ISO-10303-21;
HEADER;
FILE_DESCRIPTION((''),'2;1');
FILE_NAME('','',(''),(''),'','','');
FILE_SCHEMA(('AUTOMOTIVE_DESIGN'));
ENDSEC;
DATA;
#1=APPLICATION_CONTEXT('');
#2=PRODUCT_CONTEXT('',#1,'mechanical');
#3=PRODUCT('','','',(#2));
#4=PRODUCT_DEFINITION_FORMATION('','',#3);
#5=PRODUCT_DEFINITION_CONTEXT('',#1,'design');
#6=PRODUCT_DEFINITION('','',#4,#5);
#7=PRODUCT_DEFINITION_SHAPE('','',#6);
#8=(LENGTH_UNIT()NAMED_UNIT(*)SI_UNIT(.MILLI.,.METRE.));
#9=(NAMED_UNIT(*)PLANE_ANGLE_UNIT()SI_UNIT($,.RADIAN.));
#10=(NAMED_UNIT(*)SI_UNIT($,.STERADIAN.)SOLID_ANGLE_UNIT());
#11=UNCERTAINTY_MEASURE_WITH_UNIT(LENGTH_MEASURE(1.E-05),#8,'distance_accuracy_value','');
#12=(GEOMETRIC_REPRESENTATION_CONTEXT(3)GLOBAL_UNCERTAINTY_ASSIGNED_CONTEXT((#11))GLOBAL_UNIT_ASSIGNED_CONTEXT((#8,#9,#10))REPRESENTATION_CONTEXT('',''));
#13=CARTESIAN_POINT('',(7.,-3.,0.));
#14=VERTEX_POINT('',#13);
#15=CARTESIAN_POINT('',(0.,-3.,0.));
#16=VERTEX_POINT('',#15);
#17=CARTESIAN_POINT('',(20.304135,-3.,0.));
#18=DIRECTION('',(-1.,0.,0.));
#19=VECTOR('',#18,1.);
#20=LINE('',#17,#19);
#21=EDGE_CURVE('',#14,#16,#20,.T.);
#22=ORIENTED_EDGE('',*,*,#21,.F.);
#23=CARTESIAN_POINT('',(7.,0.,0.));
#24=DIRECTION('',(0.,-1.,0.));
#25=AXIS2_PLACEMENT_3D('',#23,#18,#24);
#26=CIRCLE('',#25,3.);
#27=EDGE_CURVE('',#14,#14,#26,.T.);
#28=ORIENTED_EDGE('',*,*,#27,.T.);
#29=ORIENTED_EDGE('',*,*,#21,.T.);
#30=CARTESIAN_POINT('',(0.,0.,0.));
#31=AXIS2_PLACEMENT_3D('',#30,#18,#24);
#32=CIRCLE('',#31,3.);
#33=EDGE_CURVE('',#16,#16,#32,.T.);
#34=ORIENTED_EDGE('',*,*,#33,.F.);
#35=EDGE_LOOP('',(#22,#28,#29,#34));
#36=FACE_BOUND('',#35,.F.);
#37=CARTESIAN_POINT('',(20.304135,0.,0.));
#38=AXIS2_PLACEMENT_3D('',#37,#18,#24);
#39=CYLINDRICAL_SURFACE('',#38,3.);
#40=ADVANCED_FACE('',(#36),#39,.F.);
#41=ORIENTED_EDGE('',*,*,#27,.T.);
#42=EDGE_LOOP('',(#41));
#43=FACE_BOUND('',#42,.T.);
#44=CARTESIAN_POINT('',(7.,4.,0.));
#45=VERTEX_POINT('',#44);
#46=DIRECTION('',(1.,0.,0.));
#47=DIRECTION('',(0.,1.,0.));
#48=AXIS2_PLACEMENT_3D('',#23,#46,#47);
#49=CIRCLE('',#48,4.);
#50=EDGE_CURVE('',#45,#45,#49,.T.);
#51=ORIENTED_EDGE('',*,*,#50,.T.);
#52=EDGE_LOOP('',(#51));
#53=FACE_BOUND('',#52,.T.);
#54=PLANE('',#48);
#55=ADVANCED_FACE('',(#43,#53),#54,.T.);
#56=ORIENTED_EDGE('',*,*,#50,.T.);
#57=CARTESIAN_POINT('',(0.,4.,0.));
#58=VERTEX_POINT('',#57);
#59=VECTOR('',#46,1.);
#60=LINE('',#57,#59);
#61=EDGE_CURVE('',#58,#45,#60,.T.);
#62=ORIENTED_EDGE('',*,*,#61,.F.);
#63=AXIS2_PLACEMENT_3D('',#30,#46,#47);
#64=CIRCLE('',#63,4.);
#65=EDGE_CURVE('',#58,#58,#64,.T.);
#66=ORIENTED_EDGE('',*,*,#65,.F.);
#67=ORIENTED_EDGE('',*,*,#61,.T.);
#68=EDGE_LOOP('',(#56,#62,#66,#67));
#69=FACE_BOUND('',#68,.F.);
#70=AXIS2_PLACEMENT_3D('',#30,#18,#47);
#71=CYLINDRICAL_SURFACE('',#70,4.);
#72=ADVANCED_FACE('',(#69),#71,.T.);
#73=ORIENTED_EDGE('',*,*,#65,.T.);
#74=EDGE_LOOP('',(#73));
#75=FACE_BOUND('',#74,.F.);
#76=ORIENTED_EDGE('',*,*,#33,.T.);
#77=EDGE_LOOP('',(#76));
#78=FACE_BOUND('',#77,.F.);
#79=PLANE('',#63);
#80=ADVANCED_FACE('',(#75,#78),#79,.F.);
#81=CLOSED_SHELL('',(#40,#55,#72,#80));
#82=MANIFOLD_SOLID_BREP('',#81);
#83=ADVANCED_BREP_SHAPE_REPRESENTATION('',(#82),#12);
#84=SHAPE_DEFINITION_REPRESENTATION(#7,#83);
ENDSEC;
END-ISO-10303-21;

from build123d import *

# Parameters (mm, degrees)
F0_R     = 4
F1_DEPTH = 7
F3_D     = 6


with BuildPart() as f1:
    # F0 (on Right) → F1 (new body)
    with BuildSketch(Plane.YZ):
        Circle(F0_R)
    extrude(amount=F1_DEPTH)

    # F3 (through all)
    with Locations(Plane.YZ.offset(7)):
        with Locations((0, 0)):
            Hole(F3_D / 2)


solid = f1.part
